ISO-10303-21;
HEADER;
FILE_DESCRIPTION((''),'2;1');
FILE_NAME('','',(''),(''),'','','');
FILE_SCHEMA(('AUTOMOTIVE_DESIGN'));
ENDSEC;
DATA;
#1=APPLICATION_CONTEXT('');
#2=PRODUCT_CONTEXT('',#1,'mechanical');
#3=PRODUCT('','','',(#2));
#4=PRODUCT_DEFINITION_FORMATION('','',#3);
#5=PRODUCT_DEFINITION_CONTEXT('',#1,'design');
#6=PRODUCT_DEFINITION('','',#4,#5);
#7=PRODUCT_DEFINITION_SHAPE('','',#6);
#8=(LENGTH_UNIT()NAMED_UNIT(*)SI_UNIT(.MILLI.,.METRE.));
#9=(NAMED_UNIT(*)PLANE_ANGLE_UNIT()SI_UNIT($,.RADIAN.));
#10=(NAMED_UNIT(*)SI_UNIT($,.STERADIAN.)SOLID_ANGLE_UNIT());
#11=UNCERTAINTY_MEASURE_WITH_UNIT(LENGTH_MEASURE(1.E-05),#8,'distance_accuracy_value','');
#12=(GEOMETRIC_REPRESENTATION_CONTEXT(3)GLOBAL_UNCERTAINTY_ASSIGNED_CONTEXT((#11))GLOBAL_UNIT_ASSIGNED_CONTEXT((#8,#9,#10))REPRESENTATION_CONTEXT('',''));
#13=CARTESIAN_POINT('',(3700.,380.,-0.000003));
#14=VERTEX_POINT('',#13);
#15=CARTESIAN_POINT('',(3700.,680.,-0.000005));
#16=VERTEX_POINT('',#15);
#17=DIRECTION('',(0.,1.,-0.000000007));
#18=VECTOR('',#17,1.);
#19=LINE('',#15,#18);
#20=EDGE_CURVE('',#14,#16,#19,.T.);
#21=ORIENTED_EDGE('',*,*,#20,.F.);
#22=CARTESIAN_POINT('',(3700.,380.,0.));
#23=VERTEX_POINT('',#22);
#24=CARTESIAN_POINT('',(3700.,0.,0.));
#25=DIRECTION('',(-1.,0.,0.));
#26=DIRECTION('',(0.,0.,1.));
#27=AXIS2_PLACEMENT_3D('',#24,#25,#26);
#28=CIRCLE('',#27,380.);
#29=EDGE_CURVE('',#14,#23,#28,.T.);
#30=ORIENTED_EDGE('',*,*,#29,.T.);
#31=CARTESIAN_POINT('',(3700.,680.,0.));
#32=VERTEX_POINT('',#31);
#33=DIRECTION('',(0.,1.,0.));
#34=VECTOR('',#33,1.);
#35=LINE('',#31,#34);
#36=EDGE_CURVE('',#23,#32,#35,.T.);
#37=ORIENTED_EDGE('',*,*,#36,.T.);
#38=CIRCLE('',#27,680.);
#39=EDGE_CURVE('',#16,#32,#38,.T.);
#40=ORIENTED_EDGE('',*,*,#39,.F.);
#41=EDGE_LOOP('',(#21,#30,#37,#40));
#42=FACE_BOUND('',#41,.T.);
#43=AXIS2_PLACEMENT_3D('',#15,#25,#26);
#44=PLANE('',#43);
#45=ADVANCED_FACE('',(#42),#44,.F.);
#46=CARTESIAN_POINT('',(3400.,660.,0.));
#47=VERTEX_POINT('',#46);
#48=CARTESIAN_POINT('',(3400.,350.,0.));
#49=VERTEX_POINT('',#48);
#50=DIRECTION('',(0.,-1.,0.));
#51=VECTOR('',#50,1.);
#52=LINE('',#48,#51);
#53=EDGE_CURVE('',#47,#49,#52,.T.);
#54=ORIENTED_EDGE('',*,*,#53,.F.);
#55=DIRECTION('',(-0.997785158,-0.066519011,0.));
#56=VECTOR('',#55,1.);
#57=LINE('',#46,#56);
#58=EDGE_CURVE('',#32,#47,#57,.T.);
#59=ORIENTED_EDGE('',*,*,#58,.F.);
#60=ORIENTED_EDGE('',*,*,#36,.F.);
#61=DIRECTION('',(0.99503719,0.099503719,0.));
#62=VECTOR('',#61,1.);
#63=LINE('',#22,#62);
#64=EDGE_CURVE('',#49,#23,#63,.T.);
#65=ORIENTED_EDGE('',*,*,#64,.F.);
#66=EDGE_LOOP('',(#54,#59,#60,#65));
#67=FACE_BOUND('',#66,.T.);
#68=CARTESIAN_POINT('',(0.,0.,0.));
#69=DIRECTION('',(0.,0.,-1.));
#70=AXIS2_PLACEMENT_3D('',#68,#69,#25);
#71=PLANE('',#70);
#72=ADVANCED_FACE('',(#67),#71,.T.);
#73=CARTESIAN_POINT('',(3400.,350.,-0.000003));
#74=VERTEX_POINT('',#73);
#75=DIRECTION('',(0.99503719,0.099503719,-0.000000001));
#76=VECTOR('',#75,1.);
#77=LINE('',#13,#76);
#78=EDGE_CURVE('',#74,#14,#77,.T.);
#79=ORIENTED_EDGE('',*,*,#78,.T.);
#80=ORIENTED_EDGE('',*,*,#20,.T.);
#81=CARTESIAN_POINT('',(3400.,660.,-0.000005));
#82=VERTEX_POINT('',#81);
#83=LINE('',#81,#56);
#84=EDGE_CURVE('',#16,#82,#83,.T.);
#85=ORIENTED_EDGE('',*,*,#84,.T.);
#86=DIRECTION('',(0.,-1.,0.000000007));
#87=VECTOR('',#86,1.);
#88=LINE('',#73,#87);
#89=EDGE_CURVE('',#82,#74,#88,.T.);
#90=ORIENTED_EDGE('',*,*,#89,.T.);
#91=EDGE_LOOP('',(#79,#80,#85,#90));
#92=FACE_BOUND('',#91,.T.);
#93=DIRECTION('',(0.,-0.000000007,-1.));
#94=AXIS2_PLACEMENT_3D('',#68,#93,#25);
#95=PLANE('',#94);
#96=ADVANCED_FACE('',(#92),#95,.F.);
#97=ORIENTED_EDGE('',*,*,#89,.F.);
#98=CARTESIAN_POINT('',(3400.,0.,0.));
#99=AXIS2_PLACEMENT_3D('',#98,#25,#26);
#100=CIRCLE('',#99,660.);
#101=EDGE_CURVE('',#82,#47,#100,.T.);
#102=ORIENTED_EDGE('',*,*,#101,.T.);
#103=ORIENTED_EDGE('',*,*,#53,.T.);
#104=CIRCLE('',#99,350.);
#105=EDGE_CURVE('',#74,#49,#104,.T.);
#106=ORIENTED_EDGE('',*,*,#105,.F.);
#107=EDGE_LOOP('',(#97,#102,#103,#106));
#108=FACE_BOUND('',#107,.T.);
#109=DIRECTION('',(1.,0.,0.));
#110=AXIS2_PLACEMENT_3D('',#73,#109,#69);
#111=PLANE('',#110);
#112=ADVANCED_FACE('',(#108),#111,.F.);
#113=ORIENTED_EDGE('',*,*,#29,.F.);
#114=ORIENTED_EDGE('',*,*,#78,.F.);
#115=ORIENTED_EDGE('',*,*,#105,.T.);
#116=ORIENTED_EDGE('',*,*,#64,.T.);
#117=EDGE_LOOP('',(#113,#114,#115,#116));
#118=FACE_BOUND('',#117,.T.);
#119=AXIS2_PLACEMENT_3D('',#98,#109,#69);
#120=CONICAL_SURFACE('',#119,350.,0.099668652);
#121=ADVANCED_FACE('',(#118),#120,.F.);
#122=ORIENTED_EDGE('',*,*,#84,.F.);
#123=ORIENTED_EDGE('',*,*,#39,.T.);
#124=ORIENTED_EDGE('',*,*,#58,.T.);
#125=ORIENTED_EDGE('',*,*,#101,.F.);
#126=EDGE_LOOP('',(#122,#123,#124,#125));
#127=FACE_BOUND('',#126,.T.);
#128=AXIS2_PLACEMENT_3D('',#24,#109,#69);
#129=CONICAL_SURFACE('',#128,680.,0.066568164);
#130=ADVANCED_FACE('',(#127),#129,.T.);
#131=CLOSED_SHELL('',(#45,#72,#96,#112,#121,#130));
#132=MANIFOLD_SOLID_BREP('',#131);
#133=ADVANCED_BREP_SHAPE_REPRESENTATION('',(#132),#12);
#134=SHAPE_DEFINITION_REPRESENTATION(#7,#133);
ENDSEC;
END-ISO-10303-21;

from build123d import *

# Parameters (mm, degrees)
REVOLVE1_ANGLE = 359.999999589


with BuildPart() as part:
    # Sketch1 → Revolve1 (revolve)
    with BuildSketch(Plane.XY):
        Polygon((3400, 350), (3400, 660), (3700, 680), (3700, 380), align=None)
    revolve(axis=Axis((0, 0, 0), (1, 0, 0)), revolution_arc=REVOLVE1_ANGLE)


solid = part.part
